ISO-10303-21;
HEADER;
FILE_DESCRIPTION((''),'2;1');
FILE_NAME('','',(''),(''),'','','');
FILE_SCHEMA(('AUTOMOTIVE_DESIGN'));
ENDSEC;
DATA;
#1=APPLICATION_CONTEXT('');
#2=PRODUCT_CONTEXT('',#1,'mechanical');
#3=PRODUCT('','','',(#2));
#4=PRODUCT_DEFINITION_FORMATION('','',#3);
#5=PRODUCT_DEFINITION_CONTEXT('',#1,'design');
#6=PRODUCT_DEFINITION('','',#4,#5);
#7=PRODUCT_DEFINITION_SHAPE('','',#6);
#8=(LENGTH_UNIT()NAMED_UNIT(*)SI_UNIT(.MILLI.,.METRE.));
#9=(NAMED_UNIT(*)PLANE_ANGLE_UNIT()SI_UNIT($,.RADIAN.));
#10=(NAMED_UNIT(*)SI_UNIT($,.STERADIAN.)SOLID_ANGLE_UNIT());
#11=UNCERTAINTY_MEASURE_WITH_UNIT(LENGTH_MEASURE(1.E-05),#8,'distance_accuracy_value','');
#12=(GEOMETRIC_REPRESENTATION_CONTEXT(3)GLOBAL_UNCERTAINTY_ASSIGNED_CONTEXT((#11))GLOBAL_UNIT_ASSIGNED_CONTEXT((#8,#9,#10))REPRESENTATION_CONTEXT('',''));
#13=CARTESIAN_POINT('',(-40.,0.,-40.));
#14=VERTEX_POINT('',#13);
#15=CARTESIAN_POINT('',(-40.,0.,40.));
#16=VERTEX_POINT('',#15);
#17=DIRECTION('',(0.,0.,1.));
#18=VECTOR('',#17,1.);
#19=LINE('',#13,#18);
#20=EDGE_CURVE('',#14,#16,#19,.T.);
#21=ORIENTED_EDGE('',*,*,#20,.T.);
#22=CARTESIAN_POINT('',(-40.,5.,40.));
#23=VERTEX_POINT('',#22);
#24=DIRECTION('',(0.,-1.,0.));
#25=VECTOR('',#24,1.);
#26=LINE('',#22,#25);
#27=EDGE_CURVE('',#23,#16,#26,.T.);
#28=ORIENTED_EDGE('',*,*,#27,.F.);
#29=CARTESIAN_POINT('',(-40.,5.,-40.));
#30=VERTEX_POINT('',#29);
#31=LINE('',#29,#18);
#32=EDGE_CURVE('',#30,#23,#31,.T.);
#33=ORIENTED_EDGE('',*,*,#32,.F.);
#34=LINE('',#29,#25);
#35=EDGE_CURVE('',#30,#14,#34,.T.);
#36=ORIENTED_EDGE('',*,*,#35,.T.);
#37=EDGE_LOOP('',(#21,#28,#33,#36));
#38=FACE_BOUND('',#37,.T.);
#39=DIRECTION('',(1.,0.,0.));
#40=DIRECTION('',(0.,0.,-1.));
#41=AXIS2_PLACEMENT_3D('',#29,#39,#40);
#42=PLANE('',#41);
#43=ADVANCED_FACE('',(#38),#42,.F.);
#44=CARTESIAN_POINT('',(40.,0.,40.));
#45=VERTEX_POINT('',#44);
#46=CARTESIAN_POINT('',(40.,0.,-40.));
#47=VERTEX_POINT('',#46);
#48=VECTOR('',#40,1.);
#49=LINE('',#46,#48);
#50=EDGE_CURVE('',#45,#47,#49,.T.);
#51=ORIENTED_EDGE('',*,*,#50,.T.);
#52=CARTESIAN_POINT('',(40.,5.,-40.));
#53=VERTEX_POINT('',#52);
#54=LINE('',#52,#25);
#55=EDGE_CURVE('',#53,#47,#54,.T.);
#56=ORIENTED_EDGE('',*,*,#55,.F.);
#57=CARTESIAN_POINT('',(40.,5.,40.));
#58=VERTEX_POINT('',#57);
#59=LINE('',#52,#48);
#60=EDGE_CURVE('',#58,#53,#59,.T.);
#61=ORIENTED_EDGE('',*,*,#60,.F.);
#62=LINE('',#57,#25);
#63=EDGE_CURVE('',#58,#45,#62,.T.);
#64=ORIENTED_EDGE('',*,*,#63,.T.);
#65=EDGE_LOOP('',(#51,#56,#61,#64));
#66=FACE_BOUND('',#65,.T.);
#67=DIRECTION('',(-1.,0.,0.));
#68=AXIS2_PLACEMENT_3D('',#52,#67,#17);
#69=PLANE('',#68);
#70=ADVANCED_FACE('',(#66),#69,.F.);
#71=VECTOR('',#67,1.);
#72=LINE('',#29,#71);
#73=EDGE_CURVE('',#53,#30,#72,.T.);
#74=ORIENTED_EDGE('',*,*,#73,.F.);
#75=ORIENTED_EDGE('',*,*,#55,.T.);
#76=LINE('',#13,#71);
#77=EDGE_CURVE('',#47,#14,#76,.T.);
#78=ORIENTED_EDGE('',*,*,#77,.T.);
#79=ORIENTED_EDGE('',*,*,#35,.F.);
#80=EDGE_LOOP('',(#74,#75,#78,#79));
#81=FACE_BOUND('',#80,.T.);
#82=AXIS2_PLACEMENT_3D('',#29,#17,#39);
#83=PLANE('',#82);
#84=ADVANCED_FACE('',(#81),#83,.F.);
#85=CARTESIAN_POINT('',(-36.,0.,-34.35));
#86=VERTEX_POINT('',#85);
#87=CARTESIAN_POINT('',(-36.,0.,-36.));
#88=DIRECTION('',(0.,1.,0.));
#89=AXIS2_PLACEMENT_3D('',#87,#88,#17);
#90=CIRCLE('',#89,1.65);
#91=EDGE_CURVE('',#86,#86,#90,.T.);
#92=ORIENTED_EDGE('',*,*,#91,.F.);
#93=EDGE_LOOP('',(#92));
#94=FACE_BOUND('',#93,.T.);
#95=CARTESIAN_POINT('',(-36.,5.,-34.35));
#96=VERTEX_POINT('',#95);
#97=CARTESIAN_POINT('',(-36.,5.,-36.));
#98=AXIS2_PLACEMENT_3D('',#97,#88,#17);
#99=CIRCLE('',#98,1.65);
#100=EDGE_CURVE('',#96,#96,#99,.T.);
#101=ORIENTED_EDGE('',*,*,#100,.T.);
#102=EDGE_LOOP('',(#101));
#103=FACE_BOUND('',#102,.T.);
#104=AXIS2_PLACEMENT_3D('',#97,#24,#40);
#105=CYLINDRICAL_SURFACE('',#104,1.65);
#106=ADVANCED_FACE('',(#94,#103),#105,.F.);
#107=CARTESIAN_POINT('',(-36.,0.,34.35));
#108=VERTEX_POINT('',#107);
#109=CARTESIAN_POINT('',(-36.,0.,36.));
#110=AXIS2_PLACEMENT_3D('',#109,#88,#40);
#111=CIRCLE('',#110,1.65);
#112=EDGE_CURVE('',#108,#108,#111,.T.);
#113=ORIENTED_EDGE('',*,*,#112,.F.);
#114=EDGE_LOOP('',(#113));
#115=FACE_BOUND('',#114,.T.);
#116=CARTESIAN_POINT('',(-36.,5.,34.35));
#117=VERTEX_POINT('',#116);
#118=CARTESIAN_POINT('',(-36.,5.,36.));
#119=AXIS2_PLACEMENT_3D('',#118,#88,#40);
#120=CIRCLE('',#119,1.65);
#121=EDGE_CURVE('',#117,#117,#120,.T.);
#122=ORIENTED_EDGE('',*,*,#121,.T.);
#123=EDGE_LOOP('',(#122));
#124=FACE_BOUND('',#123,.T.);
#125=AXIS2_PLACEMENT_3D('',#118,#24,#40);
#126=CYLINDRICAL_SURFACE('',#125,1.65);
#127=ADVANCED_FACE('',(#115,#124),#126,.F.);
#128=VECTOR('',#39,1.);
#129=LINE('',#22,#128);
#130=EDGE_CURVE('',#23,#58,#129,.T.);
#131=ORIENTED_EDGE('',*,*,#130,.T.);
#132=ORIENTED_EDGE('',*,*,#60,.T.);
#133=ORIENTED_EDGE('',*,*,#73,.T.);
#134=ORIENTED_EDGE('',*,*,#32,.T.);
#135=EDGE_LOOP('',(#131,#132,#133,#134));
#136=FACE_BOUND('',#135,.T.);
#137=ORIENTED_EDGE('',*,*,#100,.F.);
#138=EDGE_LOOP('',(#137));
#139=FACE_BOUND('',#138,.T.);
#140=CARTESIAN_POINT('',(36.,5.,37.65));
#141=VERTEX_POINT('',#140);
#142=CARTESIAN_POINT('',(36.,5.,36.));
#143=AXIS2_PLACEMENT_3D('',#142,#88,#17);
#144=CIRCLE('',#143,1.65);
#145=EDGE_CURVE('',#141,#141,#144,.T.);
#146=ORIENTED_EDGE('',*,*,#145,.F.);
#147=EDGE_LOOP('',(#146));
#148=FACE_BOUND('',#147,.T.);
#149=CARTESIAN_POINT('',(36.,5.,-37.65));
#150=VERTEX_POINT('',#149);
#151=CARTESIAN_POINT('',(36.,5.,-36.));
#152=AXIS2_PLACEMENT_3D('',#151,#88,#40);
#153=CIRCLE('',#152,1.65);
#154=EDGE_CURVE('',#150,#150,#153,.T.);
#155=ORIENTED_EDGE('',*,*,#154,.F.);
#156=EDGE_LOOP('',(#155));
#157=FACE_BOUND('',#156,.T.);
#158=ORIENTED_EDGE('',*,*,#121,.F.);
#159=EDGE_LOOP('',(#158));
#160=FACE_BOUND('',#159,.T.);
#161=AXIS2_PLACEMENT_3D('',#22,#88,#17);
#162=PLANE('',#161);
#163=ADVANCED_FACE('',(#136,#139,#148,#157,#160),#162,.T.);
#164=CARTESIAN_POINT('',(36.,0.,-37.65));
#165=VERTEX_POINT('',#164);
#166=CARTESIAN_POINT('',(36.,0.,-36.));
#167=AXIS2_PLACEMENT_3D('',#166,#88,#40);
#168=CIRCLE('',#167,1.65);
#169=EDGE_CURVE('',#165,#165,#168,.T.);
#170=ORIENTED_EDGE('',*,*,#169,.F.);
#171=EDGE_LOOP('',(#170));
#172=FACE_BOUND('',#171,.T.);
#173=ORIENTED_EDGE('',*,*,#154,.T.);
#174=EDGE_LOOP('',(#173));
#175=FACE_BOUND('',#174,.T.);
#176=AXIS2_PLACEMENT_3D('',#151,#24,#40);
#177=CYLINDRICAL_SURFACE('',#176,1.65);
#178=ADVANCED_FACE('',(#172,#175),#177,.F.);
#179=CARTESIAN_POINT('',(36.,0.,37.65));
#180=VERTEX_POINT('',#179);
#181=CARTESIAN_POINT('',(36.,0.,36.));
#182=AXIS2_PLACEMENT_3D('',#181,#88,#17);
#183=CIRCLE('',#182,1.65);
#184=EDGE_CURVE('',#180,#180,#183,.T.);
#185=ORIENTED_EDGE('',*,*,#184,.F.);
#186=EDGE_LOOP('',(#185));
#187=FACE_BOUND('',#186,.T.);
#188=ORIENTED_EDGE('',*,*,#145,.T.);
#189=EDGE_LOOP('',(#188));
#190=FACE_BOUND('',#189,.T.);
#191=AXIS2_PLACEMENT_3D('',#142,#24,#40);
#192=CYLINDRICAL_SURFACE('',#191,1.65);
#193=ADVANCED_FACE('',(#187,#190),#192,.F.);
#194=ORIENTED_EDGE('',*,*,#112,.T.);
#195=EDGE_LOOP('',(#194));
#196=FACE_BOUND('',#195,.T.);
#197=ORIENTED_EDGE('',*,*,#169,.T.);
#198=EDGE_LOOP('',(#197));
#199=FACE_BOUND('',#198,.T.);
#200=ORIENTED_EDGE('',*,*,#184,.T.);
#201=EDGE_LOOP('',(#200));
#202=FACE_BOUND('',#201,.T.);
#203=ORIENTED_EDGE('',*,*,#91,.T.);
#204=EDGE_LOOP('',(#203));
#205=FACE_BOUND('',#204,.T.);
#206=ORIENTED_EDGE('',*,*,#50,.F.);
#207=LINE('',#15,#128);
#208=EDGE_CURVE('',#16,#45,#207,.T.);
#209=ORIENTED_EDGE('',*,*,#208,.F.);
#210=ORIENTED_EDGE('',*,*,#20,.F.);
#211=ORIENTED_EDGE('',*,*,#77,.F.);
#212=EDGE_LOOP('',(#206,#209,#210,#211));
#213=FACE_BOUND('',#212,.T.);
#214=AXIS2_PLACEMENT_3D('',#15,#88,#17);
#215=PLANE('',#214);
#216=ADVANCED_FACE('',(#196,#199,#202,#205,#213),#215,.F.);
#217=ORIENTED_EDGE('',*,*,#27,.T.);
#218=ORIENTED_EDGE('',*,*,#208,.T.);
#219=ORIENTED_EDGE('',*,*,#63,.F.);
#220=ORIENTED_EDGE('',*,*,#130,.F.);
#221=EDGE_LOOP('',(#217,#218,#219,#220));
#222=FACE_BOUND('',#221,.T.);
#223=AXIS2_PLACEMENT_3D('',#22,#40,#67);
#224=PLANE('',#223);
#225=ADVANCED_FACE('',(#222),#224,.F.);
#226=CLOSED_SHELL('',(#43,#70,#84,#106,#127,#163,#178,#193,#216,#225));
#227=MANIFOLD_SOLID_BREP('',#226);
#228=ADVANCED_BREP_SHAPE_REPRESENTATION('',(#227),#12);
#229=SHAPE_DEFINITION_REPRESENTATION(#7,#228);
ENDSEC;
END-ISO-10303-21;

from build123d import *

# Parameters (mm, degrees)
ESQUISSE1_W      = 80
ESQUISSE1_H      = 80
ESQUISSE1_R      = 1.65
EXTRUSION1_DEPTH = 5


with BuildPart() as part:
    # Esquisse1 → Extrusion1 (new body)
    with BuildSketch(Plane(origin=(0, 0, 0), x_dir=(1, 0, 0), z_dir=(0, 1, 0))):
        Rectangle(ESQUISSE1_W, ESQUISSE1_H)
        with Locations(Location((-36, 36, 0), (0, 0, 270))):
            Circle(ESQUISSE1_R, mode=Mode.SUBTRACT)
        with Locations(Location((36, 36, 0), (0, 0, 90))):
            Circle(ESQUISSE1_R, mode=Mode.SUBTRACT)
        with Locations(Location((-36, -36, 0), (0, 0, 90))):
            Circle(ESQUISSE1_R, mode=Mode.SUBTRACT)
        with Locations(Location((36, -36, 0), (0, 0, 270))):
            Circle(ESQUISSE1_R, mode=Mode.SUBTRACT)
    extrude(amount=EXTRUSION1_DEPTH)


solid = part.part
